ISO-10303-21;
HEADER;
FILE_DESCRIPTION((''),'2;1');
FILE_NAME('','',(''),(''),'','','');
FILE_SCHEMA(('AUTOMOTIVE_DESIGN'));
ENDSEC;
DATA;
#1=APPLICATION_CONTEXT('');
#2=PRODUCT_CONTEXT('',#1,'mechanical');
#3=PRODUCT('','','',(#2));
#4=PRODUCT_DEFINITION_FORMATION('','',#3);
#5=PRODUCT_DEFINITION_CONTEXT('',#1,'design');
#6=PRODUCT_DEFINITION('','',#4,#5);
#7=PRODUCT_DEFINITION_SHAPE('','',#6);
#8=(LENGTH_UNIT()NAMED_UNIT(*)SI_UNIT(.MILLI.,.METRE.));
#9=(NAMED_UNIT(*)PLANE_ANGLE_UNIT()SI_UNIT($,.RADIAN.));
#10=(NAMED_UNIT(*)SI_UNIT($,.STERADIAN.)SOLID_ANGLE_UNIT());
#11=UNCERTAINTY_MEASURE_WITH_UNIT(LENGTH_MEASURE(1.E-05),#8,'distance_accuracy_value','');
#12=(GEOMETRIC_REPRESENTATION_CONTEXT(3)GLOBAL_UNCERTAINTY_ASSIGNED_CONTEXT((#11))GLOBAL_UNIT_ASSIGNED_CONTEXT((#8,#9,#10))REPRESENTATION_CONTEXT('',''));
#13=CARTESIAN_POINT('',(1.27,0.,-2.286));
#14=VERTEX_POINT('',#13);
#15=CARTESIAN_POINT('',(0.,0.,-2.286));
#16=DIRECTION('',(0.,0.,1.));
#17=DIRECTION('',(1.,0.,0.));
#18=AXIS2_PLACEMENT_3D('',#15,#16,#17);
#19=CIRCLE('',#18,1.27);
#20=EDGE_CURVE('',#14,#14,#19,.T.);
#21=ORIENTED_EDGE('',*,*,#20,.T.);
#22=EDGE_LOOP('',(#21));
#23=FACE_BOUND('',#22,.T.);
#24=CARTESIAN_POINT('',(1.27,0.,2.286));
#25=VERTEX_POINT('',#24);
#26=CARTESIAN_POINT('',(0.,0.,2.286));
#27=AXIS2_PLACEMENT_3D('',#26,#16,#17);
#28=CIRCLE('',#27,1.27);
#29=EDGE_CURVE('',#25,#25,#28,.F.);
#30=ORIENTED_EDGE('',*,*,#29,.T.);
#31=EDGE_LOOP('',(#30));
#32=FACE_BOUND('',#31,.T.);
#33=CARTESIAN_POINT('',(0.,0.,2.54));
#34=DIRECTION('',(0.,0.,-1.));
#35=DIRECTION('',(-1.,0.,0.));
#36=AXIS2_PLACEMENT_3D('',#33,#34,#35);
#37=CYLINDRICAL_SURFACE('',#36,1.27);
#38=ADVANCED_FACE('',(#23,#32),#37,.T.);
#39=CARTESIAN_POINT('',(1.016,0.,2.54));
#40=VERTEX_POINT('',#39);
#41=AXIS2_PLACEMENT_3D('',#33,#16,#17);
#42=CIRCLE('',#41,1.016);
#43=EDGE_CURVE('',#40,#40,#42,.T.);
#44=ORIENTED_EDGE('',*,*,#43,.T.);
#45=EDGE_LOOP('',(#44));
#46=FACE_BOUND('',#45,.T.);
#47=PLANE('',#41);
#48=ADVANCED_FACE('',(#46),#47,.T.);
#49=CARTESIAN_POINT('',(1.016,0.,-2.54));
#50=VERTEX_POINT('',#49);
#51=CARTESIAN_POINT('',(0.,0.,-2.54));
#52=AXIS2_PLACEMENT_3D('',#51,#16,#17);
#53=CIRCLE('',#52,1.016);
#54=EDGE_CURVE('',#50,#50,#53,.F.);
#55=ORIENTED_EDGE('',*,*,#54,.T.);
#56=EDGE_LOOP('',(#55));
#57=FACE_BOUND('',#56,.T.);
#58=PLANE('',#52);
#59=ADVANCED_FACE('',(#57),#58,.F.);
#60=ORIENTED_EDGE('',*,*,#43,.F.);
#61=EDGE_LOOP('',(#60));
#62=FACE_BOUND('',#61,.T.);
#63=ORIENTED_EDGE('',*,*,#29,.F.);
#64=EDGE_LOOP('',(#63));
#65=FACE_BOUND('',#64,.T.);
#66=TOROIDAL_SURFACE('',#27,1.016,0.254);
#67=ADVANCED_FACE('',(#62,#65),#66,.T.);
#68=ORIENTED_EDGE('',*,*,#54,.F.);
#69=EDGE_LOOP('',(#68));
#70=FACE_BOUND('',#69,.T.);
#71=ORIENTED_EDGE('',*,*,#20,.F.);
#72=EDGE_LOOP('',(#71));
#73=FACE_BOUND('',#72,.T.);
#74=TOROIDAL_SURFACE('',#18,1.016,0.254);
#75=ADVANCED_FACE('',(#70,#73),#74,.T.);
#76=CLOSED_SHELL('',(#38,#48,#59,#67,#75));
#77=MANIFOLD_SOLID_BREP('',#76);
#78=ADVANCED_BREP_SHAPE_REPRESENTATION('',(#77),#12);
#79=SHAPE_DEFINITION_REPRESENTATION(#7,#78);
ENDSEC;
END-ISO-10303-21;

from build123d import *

# Parameters (mm, degrees)
SKETCH1_R           = 1.27
BOSS_EXTRUDE1_DEPTH = 2.54
FILLET2_R           = 0.254


with BuildPart() as part:
    # Sketch1 → Boss-Extrude1 (new body, symmetric)
    with BuildSketch(Plane.XY):
        Circle(SKETCH1_R)
    extrude(amount=BOSS_EXTRUDE1_DEPTH, both=True)

    # Fillet2
    fillet2_edges = [part.edges().sort_by_distance(p)[0] for p in [
        (-1.27, 0, -2.54),
        (-1.27, 0, 2.54),
    ]]
    fillet(fillet2_edges, radius=FILLET2_R)


solid = part.part
